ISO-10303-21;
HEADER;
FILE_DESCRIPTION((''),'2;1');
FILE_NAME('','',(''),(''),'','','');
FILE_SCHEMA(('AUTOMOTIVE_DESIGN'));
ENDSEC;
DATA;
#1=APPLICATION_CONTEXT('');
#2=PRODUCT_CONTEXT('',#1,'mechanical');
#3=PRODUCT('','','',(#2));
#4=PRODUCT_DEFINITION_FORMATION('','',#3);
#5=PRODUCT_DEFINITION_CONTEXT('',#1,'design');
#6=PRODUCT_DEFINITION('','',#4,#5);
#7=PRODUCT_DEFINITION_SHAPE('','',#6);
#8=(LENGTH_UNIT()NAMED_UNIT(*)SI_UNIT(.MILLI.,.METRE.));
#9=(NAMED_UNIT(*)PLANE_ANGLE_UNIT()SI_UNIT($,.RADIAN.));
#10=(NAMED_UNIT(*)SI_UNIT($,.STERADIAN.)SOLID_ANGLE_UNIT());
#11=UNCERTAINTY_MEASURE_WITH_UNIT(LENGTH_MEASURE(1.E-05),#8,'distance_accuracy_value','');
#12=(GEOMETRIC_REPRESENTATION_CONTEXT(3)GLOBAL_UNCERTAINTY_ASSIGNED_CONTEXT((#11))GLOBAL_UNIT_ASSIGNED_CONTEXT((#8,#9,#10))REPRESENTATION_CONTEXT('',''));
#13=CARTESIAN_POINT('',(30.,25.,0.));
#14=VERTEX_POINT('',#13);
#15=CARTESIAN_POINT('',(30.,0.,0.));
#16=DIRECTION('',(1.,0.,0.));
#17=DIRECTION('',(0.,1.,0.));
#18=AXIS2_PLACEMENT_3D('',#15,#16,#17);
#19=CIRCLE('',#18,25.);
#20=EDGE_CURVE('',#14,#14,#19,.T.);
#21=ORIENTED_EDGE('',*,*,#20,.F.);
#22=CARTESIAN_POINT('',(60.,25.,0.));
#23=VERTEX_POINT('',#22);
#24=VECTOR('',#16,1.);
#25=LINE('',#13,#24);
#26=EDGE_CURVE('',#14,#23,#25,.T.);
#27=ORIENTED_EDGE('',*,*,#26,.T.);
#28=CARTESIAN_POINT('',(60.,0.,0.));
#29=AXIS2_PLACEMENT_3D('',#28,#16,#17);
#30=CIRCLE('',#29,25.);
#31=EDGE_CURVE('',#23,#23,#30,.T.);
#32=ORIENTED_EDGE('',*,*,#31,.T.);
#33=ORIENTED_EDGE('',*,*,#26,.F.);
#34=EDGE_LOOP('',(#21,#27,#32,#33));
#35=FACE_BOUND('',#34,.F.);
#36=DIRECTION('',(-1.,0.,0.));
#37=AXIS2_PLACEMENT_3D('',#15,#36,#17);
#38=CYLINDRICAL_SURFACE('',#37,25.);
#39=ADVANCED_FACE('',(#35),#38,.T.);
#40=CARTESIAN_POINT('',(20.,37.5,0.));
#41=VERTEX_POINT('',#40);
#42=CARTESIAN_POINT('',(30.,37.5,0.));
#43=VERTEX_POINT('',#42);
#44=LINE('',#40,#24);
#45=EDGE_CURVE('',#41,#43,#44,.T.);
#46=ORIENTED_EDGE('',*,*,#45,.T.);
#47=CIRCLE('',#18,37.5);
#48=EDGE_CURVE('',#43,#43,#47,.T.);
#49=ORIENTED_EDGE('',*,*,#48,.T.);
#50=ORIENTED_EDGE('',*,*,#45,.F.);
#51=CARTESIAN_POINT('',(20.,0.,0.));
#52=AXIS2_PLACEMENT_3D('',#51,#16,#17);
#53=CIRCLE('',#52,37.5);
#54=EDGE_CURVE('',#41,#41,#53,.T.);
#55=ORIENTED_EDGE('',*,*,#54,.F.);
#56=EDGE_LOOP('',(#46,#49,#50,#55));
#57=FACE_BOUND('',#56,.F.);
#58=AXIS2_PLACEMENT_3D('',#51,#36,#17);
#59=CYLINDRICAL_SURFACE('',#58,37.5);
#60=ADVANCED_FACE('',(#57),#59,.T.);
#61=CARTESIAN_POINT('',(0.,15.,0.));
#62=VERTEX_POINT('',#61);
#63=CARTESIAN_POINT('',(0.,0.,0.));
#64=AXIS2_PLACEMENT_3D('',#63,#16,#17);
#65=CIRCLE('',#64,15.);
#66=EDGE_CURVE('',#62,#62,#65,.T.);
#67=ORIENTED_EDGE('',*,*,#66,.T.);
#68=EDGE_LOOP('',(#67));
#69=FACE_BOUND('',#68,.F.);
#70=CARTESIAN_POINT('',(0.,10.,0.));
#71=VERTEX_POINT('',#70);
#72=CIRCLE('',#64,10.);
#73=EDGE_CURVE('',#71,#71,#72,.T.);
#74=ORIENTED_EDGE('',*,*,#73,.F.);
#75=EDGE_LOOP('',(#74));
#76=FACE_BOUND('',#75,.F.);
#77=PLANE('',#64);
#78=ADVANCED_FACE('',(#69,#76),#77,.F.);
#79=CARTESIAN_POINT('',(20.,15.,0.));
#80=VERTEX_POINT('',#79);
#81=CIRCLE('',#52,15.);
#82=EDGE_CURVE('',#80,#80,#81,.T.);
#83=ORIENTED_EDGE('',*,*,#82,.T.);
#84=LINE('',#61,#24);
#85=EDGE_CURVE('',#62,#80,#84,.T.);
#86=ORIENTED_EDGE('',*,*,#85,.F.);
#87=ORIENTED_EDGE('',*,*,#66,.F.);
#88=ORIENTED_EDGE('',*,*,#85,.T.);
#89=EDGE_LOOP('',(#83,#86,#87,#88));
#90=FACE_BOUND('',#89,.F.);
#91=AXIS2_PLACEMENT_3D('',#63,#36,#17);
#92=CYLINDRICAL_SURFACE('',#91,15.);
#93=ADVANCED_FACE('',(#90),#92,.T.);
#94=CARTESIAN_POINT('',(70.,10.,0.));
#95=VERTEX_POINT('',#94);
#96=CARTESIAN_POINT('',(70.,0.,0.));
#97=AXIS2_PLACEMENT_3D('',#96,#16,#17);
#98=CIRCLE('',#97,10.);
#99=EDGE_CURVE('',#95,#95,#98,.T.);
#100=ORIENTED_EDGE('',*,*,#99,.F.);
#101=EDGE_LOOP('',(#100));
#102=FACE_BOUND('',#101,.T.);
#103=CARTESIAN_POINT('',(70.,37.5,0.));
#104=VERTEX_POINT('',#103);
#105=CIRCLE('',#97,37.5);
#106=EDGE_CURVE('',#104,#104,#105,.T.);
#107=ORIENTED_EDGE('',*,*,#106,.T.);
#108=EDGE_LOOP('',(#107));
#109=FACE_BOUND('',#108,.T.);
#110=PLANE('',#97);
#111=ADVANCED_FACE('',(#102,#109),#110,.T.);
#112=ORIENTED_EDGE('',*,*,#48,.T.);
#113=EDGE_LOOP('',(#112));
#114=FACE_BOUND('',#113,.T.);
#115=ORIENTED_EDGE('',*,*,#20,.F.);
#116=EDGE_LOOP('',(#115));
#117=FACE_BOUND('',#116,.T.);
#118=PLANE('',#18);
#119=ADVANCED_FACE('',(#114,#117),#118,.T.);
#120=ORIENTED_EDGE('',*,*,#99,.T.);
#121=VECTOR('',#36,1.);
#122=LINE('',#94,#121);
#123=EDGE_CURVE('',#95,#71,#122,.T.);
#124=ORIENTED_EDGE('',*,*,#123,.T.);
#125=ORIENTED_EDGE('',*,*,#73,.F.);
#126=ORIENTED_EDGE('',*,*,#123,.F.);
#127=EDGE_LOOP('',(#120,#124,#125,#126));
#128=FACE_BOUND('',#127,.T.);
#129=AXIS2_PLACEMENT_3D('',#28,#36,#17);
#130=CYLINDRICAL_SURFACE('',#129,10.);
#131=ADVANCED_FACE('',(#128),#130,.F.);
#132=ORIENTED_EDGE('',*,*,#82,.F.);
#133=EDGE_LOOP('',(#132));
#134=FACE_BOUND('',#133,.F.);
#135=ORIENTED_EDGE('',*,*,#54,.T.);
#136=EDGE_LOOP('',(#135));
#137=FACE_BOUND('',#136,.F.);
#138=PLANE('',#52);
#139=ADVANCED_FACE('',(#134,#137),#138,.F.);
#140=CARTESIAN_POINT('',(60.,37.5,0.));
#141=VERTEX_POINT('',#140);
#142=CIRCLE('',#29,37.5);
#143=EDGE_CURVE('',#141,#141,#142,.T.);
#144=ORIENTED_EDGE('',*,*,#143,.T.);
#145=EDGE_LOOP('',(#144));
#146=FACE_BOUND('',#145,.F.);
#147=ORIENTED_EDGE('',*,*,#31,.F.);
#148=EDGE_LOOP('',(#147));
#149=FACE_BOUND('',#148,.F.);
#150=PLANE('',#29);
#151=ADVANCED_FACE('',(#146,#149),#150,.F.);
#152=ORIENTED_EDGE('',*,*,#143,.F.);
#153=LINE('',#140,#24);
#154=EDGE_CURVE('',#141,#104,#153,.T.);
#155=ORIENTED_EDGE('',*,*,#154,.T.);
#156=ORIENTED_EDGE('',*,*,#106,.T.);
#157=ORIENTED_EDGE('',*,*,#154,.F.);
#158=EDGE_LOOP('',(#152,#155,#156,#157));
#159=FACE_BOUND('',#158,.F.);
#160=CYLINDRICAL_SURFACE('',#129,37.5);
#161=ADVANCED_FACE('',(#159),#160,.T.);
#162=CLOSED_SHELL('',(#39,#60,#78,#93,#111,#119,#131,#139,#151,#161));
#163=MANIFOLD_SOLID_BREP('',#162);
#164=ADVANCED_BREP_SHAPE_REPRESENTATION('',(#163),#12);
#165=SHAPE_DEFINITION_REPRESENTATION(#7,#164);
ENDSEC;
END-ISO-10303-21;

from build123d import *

# Parameters (mm, degrees)
F0_R     = 15
F0_R_2   = 10
F1_DEPTH = 20
F2_R     = 37.5
F2_R_2   = 15
F2_R_3   = 10
F3_DEPTH = 10
F4_R     = 25
F4_R_2   = 10
F5_DEPTH = 30
F6_R     = 37.5
F6_R_2   = 25
F6_R_3   = 10
F7_DEPTH = 10


with BuildPart() as f1:
    # F0 (on Right) → F1 (new body)
    with BuildSketch(Plane.YZ):
        Circle(F0_R)
        Circle(F0_R_2, mode=Mode.SUBTRACT)
    extrude(amount=F1_DEPTH)

    # F2 (on face) → F3 (join)
    with BuildSketch(Plane.YZ.offset(20)):
        Circle(F2_R)
        Circle(F2_R_2, mode=Mode.SUBTRACT)
        Circle(F2_R_2)
        Circle(F2_R_3, mode=Mode.SUBTRACT)
    extrude(amount=F3_DEPTH)

    # F4 (on face) → F5 (join)
    with BuildSketch(Plane.YZ.offset(30)):
        Circle(F4_R)
        Circle(F4_R_2, mode=Mode.SUBTRACT)
    extrude(amount=F5_DEPTH)

    # F6 (on face) → F7 (join)
    with BuildSketch(Plane.YZ.offset(60)):
        Circle(F6_R)
        Circle(F6_R_2, mode=Mode.SUBTRACT)
        Circle(F6_R_2)
        Circle(F6_R_3, mode=Mode.SUBTRACT)
    extrude(amount=F7_DEPTH)


solid = f1.part
